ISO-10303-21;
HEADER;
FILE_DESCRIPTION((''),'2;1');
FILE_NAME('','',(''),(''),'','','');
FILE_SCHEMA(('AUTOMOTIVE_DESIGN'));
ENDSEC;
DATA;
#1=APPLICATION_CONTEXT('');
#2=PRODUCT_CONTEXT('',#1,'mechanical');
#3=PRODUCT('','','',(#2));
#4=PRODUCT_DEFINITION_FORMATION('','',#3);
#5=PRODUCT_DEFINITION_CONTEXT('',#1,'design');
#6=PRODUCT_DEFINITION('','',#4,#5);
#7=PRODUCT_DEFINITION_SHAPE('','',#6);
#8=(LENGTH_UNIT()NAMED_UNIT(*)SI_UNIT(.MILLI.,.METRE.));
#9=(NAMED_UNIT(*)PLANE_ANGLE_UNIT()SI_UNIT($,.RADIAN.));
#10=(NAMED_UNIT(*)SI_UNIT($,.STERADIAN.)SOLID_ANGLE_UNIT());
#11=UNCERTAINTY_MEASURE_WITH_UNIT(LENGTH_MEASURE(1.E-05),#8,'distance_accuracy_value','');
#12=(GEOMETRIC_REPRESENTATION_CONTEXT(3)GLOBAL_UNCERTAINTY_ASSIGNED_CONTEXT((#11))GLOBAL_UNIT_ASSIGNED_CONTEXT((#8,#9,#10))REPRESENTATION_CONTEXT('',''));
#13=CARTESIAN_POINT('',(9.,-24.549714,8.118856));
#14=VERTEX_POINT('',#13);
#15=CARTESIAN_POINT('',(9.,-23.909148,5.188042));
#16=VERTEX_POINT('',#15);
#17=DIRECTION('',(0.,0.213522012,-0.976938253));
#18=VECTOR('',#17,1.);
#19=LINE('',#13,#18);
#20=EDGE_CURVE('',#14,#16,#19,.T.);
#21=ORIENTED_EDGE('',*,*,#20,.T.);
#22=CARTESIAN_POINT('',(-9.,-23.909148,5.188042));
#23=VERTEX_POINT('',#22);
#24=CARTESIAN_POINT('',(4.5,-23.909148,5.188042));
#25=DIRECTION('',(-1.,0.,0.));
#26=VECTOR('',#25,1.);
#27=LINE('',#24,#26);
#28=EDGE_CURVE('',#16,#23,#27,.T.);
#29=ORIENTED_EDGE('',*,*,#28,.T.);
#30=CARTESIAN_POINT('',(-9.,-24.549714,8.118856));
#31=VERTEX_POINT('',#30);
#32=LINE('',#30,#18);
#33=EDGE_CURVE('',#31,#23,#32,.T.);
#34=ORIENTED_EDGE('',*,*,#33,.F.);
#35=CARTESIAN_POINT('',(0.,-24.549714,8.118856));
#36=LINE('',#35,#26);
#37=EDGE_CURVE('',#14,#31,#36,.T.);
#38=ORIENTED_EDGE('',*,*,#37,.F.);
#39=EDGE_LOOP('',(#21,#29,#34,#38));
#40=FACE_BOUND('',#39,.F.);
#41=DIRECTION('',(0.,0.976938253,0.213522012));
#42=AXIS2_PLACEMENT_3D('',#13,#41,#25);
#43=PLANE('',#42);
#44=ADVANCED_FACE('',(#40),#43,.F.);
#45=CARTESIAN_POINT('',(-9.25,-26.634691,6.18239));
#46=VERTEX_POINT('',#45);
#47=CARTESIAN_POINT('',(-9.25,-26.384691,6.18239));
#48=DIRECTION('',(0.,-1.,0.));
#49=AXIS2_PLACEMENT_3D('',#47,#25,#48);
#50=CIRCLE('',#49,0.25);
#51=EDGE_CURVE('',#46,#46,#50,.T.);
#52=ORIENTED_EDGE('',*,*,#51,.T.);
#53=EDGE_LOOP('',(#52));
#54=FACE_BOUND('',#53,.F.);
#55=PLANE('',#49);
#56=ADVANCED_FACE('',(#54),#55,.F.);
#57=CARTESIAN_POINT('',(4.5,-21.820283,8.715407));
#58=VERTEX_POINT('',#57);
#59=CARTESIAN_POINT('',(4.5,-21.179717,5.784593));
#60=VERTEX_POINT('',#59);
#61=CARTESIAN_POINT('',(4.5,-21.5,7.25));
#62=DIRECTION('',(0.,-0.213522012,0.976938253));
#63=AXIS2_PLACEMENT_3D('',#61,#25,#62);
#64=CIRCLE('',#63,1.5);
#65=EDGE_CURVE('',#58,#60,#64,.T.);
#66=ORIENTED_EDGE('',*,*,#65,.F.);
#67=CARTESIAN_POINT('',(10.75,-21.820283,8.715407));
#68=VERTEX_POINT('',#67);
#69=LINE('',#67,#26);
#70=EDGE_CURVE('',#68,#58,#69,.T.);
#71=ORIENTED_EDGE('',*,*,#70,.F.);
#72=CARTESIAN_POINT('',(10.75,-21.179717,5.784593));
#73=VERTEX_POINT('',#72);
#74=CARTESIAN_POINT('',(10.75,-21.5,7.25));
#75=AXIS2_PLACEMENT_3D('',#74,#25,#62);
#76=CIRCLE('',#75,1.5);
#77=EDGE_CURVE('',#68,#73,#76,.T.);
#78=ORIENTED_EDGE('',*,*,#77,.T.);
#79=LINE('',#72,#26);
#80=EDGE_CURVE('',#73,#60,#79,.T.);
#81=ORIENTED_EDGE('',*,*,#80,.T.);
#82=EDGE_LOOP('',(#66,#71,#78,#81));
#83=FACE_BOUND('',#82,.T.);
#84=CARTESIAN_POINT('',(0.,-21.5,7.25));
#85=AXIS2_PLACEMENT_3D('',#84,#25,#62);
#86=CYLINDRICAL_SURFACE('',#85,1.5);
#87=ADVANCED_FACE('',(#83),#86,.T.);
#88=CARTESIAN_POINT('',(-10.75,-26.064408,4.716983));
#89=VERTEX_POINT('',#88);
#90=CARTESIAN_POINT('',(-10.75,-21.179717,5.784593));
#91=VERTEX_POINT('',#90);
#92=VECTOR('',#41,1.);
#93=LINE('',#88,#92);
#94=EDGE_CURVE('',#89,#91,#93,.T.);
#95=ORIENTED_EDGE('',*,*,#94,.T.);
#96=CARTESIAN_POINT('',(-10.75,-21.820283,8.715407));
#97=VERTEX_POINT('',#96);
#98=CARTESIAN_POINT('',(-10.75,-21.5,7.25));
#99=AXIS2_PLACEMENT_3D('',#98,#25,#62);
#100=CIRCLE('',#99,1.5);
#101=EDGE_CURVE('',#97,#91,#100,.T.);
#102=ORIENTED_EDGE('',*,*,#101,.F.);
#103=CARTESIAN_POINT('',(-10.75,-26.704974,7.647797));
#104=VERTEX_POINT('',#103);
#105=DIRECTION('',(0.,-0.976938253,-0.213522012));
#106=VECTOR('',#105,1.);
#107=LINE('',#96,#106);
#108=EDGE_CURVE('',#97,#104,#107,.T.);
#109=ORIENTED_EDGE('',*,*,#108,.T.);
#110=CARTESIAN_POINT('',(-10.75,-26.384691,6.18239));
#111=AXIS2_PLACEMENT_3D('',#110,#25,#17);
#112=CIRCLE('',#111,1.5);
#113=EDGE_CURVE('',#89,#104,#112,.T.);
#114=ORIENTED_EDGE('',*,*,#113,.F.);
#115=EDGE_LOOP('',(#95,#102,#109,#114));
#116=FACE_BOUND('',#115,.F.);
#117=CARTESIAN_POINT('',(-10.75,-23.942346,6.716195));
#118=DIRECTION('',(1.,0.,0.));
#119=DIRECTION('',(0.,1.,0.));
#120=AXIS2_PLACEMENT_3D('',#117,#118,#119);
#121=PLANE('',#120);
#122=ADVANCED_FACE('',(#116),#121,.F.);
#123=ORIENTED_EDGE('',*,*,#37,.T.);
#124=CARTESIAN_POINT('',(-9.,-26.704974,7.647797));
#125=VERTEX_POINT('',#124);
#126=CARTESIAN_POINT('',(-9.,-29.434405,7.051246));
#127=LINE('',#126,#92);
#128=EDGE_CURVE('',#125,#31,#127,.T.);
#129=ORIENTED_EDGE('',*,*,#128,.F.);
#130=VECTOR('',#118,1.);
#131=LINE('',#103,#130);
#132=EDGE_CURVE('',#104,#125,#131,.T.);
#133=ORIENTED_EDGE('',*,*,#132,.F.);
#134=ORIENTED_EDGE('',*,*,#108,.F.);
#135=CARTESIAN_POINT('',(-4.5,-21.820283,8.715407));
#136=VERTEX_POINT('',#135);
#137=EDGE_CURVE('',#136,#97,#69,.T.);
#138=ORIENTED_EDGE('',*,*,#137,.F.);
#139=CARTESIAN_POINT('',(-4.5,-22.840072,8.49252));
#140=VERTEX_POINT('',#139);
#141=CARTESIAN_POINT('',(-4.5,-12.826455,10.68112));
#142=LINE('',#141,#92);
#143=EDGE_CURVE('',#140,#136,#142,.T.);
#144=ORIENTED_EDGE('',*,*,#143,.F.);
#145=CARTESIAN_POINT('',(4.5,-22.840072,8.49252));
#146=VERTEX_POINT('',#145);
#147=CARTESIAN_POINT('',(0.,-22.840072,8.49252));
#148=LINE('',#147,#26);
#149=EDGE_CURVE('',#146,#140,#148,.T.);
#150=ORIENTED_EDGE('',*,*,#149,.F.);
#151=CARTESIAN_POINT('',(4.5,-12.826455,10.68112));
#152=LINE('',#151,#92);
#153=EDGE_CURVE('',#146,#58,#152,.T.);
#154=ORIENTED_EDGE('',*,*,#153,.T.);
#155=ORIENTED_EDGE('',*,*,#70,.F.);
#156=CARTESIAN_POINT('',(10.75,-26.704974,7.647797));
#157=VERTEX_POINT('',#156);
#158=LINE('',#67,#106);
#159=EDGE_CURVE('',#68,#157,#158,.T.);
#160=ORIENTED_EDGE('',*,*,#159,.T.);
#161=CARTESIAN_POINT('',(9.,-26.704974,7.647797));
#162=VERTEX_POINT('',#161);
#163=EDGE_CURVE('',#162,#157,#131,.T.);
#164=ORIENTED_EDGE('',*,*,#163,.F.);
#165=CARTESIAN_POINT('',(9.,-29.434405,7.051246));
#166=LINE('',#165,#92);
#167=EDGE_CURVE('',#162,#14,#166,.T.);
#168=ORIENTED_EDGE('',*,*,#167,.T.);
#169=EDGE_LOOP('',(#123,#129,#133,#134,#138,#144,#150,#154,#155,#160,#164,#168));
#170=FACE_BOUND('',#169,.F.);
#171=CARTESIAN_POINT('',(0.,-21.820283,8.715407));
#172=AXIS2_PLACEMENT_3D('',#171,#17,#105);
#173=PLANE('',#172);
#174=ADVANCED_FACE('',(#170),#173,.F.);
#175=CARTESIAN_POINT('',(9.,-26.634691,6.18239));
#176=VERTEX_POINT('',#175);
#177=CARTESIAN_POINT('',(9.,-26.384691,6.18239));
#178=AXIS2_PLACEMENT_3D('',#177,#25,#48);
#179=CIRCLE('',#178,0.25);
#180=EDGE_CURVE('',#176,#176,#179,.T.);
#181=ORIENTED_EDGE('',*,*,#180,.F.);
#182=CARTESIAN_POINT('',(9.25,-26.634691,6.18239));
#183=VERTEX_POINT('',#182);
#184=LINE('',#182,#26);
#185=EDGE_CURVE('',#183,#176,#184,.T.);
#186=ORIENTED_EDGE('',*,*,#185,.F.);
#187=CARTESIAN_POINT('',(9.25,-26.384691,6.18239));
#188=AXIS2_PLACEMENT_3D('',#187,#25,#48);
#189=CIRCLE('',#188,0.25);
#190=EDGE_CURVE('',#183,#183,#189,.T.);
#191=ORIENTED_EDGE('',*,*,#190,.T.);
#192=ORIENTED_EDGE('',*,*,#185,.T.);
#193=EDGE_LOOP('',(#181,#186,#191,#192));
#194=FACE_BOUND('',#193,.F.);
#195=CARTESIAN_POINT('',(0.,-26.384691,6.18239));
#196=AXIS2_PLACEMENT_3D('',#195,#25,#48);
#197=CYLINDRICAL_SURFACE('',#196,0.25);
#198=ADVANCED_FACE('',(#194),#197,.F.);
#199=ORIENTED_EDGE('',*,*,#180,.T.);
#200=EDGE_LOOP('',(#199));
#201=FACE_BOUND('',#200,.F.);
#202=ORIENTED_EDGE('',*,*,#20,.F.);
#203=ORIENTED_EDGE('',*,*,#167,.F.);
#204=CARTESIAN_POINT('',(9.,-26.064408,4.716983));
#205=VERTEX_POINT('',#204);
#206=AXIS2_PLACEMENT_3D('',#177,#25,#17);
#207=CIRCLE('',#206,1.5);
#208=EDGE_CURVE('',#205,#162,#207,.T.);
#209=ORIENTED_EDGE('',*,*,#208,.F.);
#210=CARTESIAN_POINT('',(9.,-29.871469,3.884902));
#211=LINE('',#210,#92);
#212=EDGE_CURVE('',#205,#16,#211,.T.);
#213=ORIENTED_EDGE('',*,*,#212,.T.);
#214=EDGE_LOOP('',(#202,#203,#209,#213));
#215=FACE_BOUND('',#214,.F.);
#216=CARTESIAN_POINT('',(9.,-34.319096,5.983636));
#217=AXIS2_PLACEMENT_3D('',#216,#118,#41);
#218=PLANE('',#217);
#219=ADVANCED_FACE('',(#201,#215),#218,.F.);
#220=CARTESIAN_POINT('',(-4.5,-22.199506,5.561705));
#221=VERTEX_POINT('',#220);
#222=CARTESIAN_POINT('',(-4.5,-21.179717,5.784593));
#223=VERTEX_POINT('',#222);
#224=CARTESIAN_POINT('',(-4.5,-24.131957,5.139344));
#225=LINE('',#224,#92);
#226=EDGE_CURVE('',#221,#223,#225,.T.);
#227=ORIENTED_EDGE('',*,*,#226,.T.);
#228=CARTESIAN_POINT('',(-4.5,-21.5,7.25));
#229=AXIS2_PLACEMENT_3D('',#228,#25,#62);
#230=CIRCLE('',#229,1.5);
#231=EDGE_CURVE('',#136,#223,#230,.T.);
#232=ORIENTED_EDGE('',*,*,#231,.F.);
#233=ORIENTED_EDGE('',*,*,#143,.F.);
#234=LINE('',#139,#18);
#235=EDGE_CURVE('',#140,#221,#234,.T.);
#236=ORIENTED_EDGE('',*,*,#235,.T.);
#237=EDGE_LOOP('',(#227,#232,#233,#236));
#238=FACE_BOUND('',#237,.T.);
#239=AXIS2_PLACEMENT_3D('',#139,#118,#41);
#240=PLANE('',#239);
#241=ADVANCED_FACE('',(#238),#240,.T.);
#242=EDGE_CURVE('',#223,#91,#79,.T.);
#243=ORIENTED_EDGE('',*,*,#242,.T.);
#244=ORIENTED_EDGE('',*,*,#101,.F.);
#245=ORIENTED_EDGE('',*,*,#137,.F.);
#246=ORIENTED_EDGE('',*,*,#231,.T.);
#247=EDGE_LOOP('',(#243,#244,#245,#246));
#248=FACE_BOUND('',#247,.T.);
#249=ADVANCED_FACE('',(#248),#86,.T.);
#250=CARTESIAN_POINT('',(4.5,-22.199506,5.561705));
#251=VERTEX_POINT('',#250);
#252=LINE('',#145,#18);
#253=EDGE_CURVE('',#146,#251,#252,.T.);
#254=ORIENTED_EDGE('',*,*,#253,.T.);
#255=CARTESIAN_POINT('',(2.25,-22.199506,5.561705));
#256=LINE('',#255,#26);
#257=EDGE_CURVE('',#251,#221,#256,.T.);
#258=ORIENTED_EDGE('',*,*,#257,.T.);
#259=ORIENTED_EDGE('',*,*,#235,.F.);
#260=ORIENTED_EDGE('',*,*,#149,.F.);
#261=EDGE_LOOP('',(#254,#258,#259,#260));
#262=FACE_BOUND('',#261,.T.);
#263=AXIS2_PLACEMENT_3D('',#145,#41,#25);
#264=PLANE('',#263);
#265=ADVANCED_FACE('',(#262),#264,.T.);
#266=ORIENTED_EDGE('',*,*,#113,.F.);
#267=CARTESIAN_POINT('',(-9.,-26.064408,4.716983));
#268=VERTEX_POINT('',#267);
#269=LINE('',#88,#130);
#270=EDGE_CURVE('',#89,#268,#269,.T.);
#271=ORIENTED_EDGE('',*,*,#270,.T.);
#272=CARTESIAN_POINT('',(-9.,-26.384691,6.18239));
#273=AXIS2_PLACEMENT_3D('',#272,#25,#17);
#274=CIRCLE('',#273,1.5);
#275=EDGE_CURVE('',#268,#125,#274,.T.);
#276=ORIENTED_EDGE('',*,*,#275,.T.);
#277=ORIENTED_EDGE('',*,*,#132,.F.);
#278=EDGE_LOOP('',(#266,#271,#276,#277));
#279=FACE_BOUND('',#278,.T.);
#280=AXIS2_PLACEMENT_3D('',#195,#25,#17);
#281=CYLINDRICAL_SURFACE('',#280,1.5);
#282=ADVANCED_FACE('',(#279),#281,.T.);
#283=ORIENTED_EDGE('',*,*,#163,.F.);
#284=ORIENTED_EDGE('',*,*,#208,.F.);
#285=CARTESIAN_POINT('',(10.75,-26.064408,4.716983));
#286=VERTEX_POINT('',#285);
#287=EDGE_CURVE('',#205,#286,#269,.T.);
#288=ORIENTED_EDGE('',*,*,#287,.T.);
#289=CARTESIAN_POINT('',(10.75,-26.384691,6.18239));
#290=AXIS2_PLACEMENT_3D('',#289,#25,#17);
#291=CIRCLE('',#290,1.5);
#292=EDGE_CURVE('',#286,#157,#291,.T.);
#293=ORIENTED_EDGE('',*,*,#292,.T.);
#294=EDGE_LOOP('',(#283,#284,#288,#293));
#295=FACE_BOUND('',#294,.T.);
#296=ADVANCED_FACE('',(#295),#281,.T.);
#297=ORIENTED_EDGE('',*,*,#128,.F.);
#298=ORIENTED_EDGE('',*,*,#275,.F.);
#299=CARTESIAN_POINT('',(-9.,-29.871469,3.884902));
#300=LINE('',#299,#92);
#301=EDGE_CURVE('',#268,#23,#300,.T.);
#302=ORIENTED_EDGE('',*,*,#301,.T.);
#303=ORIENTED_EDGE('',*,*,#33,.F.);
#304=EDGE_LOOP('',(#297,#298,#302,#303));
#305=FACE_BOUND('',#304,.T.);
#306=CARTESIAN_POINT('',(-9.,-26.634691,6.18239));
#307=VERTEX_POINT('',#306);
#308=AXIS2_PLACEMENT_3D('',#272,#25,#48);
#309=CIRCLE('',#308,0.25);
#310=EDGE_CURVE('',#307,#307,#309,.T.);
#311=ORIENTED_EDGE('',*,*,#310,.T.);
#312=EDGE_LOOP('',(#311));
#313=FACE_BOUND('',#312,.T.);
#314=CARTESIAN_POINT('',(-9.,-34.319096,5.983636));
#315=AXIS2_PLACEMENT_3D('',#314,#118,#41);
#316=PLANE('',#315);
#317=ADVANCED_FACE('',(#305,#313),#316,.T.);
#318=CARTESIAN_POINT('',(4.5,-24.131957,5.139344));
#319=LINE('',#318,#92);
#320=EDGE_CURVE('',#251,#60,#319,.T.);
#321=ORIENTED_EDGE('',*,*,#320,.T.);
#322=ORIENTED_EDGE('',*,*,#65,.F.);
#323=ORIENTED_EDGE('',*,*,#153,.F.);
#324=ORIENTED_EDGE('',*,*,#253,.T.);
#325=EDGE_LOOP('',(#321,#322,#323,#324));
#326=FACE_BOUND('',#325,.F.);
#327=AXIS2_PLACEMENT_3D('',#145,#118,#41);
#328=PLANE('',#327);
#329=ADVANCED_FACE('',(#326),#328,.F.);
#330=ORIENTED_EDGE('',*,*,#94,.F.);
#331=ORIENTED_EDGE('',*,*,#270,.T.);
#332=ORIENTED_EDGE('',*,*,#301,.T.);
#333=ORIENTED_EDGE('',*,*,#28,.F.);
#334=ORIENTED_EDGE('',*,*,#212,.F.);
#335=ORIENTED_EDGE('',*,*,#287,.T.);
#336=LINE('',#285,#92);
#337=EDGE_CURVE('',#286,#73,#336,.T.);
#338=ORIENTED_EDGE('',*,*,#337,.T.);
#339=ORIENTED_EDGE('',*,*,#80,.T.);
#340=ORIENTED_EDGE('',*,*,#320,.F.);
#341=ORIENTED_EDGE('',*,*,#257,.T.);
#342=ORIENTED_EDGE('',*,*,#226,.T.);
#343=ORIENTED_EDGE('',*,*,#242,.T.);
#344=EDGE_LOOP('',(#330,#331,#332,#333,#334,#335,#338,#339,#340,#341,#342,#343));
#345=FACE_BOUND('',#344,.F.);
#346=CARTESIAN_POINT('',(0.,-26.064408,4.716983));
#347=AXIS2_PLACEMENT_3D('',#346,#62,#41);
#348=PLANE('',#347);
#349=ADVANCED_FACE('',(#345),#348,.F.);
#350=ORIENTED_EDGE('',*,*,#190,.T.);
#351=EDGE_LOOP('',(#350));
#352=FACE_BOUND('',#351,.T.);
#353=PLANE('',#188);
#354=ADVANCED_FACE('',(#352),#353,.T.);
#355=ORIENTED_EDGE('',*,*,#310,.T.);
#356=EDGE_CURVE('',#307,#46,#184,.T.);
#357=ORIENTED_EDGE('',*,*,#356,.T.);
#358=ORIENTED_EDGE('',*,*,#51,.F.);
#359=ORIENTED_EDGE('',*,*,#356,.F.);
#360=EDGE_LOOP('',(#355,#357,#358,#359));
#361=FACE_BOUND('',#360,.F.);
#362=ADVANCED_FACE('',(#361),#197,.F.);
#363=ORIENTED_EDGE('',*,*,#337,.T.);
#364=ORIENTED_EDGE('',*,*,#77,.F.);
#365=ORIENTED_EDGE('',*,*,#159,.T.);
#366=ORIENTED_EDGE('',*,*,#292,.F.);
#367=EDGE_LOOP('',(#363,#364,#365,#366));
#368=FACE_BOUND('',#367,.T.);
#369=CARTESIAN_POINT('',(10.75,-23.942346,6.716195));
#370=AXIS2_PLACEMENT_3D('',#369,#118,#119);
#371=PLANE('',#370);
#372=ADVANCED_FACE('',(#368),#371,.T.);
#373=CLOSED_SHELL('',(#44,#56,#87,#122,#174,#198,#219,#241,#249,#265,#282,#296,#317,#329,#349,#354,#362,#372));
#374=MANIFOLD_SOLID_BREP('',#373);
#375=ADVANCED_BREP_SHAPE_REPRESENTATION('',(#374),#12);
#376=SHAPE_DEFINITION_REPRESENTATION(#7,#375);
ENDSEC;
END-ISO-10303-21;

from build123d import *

# Parameters (mm, degrees)
PAD002_DEPTH          = 10.75
SKETCH034_W           = 20.5
SKETCH034_H           = 9
SKETCH034_W_2         = 10
SKETCH034_H_2         = 18
POCKET004_DEPTH       = 5
SKETCH035_R           = 0.25
POCKET005_DEPTH       = 9.25
CLONE_PLACEMENT_ANGLE = 180


with BuildPart() as part:
    # Sketch033 → Pad002 (new body, symmetric)
    with BuildSketch(Plane.YZ):
        with BuildLine():
            Line((21.8202830187, 8.7154073795), (26.7049742837, 7.6477973171))
            ThreePointArc((26.0644082463, 4.7169825581), (27.8500986445, 5.8621069189), (26.7049742837, 7.6477973171))
            Line((26.0644082463, 4.7169825581), (21.1797169813, 5.7845926205))
            ThreePointArc((21.8202830187, 8.7154073795), (20.0345926205, 7.5702830187), (21.1797169813, 5.7845926205))
        make_face()
    extrude(amount=PAD002_DEPTH, both=True)

    # Sketch034 (on Face3 of Pad002) → Pocket004 (cut)
    with BuildSketch(Plane(origin=(0, 2.812837698, 12.869721088), x_dir=(0, -0.976938253, 0.2135220125), z_dir=(0, 0.2135220125, 0.976938253))):
        with Locations((-10.25, 0)):
            Rectangle(SKETCH034_W, SKETCH034_H)
        with Locations((-27.25, 0)):
            Rectangle(SKETCH034_W_2, SKETCH034_H_2)
    extrude(amount=-POCKET004_DEPTH, mode=Mode.SUBTRACT)

    # Sketch035 → Pocket005 (cut, symmetric)
    with BuildSketch(Plane.YZ):
        with Locations((26.384691265, 6.1823899376)):
            Circle(SKETCH035_R)
    extrude(amount=POCKET005_DEPTH, both=True, mode=Mode.SUBTRACT)


with BuildPart() as part_1:
    # Clone placement: moved
    add(part.part.rotate(Axis((0, 0, 0), (0, 0, 1)), CLONE_PLACEMENT_ANGLE))


solid = part_1.part
